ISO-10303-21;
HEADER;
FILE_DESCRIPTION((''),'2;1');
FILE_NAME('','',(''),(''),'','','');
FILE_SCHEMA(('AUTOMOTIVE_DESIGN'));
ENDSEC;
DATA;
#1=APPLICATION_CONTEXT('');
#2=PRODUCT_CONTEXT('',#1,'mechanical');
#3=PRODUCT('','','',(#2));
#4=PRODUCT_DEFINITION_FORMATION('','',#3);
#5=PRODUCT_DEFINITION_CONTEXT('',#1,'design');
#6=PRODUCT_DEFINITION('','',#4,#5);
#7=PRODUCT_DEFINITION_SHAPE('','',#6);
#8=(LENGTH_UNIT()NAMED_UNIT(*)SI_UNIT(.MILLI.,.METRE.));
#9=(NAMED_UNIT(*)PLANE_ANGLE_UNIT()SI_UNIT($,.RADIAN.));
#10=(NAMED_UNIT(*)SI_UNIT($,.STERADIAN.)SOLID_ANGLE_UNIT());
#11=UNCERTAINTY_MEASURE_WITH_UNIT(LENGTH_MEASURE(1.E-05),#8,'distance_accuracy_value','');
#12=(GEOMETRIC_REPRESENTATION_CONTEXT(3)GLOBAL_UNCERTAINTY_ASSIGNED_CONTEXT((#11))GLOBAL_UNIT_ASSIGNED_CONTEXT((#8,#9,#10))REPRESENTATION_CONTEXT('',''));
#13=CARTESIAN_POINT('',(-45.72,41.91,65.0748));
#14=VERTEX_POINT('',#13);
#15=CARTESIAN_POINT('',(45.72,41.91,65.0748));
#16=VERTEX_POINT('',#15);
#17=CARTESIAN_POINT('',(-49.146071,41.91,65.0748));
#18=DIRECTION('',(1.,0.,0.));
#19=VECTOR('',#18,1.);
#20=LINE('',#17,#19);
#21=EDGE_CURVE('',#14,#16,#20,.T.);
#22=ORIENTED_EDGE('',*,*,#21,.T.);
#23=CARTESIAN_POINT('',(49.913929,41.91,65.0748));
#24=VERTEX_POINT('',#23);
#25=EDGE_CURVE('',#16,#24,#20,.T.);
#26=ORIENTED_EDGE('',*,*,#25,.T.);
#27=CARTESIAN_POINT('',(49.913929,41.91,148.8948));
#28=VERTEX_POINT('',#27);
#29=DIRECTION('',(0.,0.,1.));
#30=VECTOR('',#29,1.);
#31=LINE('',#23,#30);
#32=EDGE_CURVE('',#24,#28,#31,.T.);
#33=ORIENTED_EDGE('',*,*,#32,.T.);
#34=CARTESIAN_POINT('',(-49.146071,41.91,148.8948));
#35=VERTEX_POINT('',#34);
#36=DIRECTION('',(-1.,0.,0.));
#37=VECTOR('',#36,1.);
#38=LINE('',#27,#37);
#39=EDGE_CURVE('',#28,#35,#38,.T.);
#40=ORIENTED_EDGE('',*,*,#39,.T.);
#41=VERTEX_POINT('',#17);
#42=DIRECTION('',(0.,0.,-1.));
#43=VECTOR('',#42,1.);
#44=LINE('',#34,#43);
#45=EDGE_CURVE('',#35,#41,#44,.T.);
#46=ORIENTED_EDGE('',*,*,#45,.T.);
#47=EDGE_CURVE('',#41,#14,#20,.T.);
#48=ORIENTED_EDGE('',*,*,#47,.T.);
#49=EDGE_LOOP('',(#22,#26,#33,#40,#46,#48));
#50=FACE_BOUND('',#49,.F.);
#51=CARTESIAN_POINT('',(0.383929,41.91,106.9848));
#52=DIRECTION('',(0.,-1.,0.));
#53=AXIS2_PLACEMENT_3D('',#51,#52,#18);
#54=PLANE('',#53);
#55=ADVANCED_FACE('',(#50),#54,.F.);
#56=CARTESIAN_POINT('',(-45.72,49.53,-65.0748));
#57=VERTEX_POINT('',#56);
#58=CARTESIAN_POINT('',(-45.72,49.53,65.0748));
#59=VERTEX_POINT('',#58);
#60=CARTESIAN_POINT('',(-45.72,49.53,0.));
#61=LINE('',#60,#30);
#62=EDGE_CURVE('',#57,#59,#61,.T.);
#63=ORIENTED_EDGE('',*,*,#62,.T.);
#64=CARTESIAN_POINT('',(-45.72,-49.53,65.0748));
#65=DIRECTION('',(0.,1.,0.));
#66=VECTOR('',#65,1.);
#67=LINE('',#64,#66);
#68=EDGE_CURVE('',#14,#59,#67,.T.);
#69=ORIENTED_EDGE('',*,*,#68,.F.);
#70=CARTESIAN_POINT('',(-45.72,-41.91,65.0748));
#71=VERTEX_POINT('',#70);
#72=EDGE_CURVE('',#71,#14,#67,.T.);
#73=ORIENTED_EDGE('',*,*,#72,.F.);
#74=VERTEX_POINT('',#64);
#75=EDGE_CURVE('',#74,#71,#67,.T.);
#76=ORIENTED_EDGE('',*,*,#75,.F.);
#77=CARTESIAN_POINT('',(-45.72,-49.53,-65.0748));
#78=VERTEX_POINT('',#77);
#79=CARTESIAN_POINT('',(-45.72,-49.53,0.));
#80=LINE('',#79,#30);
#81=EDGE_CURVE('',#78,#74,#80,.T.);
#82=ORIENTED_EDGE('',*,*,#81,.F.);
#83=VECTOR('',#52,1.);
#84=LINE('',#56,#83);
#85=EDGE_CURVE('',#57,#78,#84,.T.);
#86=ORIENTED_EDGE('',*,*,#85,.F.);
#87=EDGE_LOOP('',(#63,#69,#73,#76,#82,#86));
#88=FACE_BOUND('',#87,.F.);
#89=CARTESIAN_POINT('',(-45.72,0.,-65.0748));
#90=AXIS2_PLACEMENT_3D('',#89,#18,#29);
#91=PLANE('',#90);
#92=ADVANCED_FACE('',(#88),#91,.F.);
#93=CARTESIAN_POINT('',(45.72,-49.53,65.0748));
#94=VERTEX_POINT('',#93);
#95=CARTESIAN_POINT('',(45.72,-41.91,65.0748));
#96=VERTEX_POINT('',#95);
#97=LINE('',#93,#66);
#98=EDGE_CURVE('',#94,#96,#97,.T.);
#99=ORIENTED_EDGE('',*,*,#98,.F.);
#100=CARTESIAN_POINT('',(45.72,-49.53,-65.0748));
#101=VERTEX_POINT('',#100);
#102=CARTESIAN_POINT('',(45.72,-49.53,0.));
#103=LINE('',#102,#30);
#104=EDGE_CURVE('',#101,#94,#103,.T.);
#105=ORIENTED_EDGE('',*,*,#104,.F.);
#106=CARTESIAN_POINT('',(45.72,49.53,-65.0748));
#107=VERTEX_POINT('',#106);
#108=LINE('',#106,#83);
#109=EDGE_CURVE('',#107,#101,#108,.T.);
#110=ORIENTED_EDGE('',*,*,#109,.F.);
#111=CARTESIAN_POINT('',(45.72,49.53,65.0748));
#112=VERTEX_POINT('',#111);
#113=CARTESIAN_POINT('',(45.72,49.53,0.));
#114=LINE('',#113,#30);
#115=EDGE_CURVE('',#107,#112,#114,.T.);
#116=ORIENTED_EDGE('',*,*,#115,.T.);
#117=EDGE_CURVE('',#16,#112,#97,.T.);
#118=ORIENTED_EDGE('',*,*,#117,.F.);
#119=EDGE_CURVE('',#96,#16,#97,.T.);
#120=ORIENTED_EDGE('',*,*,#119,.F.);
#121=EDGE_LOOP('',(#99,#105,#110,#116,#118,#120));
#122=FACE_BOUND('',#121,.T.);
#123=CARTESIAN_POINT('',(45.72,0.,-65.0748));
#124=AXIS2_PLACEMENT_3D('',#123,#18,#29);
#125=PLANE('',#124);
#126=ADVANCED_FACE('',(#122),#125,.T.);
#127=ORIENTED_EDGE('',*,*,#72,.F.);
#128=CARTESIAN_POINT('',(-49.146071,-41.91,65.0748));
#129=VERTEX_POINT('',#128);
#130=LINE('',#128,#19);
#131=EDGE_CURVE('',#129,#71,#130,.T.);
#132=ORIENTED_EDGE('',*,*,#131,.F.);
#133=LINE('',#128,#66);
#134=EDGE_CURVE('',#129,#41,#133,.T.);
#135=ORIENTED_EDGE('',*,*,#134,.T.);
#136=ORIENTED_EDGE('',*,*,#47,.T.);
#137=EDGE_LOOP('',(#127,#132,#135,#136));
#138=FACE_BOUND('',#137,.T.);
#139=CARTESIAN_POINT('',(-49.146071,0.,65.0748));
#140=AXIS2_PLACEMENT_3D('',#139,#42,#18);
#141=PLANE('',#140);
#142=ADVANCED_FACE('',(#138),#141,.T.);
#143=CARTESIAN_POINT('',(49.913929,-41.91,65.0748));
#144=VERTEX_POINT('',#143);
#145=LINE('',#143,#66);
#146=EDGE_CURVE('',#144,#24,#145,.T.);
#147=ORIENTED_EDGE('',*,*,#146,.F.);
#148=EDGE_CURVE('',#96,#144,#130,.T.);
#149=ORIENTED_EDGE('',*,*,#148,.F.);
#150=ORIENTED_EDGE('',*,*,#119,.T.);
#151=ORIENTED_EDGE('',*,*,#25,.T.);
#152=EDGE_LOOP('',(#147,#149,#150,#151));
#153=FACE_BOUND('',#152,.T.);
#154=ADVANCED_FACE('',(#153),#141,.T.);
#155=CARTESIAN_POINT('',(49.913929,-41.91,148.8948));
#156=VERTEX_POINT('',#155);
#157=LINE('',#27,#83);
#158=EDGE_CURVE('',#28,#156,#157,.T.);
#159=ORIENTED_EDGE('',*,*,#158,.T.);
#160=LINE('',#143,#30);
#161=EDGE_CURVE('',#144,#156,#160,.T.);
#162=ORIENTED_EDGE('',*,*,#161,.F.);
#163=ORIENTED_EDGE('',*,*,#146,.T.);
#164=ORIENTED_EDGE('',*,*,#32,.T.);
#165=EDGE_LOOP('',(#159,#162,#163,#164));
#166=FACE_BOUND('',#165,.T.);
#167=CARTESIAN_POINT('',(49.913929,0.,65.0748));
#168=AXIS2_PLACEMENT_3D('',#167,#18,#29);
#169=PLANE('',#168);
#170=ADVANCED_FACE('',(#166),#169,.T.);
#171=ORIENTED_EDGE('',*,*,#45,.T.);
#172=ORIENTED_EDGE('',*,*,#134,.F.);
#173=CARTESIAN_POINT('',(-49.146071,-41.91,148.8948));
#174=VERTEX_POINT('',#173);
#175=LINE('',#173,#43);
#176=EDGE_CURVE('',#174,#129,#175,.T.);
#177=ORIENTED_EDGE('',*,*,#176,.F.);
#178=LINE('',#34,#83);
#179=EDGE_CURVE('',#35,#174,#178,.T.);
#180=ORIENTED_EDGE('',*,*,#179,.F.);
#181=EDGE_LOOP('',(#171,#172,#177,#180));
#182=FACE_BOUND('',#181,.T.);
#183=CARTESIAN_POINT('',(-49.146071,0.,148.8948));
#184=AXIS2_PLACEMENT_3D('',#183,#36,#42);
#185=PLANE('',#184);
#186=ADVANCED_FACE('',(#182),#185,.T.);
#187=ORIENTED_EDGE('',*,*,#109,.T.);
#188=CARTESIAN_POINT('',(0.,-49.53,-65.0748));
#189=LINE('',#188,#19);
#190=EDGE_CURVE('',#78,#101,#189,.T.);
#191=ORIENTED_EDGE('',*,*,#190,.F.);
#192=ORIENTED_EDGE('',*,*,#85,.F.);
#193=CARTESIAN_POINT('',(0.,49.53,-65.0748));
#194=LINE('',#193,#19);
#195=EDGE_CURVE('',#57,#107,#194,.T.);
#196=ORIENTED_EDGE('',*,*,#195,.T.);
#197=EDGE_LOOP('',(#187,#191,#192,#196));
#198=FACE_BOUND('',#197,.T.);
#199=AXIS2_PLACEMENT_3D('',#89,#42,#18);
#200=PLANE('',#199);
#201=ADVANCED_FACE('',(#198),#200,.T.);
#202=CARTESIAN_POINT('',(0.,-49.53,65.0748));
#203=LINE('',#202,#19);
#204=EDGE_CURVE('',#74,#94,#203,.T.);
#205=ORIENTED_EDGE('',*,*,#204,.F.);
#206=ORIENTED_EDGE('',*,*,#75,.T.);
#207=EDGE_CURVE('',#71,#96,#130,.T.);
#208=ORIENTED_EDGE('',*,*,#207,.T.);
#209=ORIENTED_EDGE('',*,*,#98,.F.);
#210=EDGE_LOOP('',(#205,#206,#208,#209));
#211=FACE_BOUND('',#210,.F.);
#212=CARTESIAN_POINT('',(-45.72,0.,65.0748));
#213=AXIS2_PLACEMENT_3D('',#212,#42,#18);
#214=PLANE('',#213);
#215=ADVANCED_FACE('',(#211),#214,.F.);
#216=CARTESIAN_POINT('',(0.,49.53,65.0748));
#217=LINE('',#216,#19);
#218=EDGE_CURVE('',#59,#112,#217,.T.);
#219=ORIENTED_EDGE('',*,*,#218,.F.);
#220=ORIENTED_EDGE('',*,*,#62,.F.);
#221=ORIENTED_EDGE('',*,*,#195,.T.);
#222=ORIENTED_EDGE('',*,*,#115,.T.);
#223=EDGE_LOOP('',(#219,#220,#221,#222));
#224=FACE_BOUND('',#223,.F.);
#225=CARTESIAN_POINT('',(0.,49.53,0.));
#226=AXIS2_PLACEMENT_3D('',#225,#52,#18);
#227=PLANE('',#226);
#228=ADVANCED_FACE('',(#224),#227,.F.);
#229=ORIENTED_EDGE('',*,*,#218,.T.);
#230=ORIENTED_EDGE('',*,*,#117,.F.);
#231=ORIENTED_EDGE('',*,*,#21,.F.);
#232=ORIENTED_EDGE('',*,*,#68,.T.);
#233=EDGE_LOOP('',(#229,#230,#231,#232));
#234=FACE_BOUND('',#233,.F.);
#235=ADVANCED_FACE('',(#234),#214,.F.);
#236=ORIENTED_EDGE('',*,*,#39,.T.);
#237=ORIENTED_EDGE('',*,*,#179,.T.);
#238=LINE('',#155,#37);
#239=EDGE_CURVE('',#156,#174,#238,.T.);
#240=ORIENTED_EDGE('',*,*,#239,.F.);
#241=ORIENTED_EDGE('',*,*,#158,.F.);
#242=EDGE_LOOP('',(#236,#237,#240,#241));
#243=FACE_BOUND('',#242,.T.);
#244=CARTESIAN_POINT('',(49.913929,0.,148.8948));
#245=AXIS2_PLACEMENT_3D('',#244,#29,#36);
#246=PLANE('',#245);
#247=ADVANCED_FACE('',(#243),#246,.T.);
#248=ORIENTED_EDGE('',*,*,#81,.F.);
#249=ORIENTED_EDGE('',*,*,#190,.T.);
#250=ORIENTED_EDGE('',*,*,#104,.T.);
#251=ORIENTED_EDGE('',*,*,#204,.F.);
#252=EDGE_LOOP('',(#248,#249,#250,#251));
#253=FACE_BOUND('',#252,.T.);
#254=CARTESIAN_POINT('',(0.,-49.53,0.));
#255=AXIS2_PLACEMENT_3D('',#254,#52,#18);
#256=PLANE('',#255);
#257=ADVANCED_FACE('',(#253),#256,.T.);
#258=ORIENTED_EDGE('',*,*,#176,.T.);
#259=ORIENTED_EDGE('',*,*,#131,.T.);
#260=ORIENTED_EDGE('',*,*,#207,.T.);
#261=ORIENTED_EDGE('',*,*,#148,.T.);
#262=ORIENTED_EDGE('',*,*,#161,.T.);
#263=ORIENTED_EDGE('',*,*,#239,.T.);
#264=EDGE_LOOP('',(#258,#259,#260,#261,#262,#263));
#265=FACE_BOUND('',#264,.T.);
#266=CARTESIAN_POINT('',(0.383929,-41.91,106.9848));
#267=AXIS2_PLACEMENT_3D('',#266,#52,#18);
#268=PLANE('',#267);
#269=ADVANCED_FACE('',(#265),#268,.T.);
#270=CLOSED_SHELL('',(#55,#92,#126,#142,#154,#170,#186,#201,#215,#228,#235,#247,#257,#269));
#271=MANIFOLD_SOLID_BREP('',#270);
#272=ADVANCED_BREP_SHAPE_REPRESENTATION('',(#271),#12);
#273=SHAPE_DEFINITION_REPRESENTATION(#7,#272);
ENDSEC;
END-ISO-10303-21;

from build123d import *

# Parameters (mm, degrees)
F1_DEPTH = 41.91
F0_W     = 91.44
F0_H     = 130.1496
F2_DEPTH = 49.53


with BuildPart() as f1:
    # F0 (on Front) → F1 (new body, symmetric)
    with BuildSketch(Plane.XZ):
        Polygon((-45.72, 65.0748), (45.72, 65.0748), (49.913929, 65.0748), (49.913929, 148.8948), (-49.146071, 148.8948), (-49.146071, 65.0748), align=None)
    extrude(amount=F1_DEPTH, both=True)

    # F0 (on Front) → F2 (join, symmetric)
    with BuildSketch(Plane.XZ):
        Rectangle(F0_W, F0_H)
    extrude(amount=F2_DEPTH, both=True)


solid = f1.part
